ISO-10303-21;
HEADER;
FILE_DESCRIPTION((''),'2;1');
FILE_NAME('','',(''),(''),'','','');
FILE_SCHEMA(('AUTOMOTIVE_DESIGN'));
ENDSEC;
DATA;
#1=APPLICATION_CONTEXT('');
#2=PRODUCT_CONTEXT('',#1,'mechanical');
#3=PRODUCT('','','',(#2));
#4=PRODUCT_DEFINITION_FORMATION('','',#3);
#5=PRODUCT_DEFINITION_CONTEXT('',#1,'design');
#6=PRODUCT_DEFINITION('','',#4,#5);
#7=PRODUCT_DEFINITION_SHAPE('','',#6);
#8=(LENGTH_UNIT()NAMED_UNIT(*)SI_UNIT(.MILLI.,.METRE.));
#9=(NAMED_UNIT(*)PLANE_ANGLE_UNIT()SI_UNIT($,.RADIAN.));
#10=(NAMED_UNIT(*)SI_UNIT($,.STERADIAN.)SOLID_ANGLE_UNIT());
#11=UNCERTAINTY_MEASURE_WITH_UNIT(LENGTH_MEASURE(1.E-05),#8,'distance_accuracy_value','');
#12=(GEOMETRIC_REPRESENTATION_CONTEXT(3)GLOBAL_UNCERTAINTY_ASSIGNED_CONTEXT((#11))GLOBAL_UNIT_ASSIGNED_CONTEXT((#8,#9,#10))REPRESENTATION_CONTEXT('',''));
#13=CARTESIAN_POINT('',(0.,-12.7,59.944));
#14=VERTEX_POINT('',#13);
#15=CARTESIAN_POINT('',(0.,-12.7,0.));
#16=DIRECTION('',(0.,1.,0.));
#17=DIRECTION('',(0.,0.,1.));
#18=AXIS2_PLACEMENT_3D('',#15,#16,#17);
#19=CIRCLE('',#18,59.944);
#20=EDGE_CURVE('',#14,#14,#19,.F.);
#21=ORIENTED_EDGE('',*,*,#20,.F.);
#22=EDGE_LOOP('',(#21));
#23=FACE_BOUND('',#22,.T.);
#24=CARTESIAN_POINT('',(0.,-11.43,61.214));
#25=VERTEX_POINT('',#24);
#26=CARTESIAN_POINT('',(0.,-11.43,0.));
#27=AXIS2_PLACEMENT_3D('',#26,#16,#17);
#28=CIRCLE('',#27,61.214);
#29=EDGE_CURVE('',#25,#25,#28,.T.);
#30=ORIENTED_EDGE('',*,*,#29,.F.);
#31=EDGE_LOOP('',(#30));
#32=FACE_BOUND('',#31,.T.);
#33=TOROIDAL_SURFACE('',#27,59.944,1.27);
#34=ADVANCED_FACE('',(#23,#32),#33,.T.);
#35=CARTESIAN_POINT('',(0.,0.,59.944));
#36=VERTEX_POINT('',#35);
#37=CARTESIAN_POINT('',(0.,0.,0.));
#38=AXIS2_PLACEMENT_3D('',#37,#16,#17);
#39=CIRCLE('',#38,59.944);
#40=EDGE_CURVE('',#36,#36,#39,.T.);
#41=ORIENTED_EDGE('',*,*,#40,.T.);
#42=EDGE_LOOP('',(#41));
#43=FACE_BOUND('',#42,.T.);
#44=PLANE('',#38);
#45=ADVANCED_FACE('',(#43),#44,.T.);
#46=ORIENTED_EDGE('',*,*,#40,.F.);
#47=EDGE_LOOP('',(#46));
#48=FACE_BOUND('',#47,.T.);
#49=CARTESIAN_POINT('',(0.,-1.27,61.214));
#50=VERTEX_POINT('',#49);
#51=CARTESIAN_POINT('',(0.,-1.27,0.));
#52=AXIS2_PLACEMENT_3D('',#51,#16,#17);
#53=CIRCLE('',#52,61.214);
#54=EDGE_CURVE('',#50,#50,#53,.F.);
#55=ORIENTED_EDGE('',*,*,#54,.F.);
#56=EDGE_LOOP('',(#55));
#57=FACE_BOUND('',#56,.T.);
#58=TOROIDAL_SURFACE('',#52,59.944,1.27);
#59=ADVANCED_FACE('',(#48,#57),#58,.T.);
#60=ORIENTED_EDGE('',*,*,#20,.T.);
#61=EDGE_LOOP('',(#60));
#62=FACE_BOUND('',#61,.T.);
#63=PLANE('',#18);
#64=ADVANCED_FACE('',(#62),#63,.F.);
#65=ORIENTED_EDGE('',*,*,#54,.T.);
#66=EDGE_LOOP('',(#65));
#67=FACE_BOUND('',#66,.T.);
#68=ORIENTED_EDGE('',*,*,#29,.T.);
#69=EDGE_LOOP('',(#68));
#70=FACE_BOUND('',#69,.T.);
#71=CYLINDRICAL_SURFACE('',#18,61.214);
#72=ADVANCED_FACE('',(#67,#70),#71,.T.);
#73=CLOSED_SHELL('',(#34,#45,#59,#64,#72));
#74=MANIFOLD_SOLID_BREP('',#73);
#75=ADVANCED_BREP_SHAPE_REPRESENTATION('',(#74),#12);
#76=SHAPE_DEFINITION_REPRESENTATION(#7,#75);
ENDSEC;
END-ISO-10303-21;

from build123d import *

# Parameters (mm, degrees)
SKETCH2_R           = 61.214
BOSS_EXTRUDE1_DEPTH = 12.7
FILLET1_R           = 1.27


with BuildPart() as part:
    # Sketch2 → Boss-Extrude1 (new body)
    with BuildSketch(Plane(origin=(0, 0, 0), x_dir=(1, 0, 0), z_dir=(0, 1, 0))):
        with Locations(Location((0, 0, 0), (0, 0, 270))):
            Circle(SKETCH2_R)
    extrude(amount=-BOSS_EXTRUDE1_DEPTH)

    # Fillet1
    fillet1_edges = [part.edges().sort_by_distance(p)[0] for p in [
        (0, 0, -61.214),
        (0, -12.7, -61.214),
    ]]
    fillet(fillet1_edges, radius=FILLET1_R)


solid = part.part
